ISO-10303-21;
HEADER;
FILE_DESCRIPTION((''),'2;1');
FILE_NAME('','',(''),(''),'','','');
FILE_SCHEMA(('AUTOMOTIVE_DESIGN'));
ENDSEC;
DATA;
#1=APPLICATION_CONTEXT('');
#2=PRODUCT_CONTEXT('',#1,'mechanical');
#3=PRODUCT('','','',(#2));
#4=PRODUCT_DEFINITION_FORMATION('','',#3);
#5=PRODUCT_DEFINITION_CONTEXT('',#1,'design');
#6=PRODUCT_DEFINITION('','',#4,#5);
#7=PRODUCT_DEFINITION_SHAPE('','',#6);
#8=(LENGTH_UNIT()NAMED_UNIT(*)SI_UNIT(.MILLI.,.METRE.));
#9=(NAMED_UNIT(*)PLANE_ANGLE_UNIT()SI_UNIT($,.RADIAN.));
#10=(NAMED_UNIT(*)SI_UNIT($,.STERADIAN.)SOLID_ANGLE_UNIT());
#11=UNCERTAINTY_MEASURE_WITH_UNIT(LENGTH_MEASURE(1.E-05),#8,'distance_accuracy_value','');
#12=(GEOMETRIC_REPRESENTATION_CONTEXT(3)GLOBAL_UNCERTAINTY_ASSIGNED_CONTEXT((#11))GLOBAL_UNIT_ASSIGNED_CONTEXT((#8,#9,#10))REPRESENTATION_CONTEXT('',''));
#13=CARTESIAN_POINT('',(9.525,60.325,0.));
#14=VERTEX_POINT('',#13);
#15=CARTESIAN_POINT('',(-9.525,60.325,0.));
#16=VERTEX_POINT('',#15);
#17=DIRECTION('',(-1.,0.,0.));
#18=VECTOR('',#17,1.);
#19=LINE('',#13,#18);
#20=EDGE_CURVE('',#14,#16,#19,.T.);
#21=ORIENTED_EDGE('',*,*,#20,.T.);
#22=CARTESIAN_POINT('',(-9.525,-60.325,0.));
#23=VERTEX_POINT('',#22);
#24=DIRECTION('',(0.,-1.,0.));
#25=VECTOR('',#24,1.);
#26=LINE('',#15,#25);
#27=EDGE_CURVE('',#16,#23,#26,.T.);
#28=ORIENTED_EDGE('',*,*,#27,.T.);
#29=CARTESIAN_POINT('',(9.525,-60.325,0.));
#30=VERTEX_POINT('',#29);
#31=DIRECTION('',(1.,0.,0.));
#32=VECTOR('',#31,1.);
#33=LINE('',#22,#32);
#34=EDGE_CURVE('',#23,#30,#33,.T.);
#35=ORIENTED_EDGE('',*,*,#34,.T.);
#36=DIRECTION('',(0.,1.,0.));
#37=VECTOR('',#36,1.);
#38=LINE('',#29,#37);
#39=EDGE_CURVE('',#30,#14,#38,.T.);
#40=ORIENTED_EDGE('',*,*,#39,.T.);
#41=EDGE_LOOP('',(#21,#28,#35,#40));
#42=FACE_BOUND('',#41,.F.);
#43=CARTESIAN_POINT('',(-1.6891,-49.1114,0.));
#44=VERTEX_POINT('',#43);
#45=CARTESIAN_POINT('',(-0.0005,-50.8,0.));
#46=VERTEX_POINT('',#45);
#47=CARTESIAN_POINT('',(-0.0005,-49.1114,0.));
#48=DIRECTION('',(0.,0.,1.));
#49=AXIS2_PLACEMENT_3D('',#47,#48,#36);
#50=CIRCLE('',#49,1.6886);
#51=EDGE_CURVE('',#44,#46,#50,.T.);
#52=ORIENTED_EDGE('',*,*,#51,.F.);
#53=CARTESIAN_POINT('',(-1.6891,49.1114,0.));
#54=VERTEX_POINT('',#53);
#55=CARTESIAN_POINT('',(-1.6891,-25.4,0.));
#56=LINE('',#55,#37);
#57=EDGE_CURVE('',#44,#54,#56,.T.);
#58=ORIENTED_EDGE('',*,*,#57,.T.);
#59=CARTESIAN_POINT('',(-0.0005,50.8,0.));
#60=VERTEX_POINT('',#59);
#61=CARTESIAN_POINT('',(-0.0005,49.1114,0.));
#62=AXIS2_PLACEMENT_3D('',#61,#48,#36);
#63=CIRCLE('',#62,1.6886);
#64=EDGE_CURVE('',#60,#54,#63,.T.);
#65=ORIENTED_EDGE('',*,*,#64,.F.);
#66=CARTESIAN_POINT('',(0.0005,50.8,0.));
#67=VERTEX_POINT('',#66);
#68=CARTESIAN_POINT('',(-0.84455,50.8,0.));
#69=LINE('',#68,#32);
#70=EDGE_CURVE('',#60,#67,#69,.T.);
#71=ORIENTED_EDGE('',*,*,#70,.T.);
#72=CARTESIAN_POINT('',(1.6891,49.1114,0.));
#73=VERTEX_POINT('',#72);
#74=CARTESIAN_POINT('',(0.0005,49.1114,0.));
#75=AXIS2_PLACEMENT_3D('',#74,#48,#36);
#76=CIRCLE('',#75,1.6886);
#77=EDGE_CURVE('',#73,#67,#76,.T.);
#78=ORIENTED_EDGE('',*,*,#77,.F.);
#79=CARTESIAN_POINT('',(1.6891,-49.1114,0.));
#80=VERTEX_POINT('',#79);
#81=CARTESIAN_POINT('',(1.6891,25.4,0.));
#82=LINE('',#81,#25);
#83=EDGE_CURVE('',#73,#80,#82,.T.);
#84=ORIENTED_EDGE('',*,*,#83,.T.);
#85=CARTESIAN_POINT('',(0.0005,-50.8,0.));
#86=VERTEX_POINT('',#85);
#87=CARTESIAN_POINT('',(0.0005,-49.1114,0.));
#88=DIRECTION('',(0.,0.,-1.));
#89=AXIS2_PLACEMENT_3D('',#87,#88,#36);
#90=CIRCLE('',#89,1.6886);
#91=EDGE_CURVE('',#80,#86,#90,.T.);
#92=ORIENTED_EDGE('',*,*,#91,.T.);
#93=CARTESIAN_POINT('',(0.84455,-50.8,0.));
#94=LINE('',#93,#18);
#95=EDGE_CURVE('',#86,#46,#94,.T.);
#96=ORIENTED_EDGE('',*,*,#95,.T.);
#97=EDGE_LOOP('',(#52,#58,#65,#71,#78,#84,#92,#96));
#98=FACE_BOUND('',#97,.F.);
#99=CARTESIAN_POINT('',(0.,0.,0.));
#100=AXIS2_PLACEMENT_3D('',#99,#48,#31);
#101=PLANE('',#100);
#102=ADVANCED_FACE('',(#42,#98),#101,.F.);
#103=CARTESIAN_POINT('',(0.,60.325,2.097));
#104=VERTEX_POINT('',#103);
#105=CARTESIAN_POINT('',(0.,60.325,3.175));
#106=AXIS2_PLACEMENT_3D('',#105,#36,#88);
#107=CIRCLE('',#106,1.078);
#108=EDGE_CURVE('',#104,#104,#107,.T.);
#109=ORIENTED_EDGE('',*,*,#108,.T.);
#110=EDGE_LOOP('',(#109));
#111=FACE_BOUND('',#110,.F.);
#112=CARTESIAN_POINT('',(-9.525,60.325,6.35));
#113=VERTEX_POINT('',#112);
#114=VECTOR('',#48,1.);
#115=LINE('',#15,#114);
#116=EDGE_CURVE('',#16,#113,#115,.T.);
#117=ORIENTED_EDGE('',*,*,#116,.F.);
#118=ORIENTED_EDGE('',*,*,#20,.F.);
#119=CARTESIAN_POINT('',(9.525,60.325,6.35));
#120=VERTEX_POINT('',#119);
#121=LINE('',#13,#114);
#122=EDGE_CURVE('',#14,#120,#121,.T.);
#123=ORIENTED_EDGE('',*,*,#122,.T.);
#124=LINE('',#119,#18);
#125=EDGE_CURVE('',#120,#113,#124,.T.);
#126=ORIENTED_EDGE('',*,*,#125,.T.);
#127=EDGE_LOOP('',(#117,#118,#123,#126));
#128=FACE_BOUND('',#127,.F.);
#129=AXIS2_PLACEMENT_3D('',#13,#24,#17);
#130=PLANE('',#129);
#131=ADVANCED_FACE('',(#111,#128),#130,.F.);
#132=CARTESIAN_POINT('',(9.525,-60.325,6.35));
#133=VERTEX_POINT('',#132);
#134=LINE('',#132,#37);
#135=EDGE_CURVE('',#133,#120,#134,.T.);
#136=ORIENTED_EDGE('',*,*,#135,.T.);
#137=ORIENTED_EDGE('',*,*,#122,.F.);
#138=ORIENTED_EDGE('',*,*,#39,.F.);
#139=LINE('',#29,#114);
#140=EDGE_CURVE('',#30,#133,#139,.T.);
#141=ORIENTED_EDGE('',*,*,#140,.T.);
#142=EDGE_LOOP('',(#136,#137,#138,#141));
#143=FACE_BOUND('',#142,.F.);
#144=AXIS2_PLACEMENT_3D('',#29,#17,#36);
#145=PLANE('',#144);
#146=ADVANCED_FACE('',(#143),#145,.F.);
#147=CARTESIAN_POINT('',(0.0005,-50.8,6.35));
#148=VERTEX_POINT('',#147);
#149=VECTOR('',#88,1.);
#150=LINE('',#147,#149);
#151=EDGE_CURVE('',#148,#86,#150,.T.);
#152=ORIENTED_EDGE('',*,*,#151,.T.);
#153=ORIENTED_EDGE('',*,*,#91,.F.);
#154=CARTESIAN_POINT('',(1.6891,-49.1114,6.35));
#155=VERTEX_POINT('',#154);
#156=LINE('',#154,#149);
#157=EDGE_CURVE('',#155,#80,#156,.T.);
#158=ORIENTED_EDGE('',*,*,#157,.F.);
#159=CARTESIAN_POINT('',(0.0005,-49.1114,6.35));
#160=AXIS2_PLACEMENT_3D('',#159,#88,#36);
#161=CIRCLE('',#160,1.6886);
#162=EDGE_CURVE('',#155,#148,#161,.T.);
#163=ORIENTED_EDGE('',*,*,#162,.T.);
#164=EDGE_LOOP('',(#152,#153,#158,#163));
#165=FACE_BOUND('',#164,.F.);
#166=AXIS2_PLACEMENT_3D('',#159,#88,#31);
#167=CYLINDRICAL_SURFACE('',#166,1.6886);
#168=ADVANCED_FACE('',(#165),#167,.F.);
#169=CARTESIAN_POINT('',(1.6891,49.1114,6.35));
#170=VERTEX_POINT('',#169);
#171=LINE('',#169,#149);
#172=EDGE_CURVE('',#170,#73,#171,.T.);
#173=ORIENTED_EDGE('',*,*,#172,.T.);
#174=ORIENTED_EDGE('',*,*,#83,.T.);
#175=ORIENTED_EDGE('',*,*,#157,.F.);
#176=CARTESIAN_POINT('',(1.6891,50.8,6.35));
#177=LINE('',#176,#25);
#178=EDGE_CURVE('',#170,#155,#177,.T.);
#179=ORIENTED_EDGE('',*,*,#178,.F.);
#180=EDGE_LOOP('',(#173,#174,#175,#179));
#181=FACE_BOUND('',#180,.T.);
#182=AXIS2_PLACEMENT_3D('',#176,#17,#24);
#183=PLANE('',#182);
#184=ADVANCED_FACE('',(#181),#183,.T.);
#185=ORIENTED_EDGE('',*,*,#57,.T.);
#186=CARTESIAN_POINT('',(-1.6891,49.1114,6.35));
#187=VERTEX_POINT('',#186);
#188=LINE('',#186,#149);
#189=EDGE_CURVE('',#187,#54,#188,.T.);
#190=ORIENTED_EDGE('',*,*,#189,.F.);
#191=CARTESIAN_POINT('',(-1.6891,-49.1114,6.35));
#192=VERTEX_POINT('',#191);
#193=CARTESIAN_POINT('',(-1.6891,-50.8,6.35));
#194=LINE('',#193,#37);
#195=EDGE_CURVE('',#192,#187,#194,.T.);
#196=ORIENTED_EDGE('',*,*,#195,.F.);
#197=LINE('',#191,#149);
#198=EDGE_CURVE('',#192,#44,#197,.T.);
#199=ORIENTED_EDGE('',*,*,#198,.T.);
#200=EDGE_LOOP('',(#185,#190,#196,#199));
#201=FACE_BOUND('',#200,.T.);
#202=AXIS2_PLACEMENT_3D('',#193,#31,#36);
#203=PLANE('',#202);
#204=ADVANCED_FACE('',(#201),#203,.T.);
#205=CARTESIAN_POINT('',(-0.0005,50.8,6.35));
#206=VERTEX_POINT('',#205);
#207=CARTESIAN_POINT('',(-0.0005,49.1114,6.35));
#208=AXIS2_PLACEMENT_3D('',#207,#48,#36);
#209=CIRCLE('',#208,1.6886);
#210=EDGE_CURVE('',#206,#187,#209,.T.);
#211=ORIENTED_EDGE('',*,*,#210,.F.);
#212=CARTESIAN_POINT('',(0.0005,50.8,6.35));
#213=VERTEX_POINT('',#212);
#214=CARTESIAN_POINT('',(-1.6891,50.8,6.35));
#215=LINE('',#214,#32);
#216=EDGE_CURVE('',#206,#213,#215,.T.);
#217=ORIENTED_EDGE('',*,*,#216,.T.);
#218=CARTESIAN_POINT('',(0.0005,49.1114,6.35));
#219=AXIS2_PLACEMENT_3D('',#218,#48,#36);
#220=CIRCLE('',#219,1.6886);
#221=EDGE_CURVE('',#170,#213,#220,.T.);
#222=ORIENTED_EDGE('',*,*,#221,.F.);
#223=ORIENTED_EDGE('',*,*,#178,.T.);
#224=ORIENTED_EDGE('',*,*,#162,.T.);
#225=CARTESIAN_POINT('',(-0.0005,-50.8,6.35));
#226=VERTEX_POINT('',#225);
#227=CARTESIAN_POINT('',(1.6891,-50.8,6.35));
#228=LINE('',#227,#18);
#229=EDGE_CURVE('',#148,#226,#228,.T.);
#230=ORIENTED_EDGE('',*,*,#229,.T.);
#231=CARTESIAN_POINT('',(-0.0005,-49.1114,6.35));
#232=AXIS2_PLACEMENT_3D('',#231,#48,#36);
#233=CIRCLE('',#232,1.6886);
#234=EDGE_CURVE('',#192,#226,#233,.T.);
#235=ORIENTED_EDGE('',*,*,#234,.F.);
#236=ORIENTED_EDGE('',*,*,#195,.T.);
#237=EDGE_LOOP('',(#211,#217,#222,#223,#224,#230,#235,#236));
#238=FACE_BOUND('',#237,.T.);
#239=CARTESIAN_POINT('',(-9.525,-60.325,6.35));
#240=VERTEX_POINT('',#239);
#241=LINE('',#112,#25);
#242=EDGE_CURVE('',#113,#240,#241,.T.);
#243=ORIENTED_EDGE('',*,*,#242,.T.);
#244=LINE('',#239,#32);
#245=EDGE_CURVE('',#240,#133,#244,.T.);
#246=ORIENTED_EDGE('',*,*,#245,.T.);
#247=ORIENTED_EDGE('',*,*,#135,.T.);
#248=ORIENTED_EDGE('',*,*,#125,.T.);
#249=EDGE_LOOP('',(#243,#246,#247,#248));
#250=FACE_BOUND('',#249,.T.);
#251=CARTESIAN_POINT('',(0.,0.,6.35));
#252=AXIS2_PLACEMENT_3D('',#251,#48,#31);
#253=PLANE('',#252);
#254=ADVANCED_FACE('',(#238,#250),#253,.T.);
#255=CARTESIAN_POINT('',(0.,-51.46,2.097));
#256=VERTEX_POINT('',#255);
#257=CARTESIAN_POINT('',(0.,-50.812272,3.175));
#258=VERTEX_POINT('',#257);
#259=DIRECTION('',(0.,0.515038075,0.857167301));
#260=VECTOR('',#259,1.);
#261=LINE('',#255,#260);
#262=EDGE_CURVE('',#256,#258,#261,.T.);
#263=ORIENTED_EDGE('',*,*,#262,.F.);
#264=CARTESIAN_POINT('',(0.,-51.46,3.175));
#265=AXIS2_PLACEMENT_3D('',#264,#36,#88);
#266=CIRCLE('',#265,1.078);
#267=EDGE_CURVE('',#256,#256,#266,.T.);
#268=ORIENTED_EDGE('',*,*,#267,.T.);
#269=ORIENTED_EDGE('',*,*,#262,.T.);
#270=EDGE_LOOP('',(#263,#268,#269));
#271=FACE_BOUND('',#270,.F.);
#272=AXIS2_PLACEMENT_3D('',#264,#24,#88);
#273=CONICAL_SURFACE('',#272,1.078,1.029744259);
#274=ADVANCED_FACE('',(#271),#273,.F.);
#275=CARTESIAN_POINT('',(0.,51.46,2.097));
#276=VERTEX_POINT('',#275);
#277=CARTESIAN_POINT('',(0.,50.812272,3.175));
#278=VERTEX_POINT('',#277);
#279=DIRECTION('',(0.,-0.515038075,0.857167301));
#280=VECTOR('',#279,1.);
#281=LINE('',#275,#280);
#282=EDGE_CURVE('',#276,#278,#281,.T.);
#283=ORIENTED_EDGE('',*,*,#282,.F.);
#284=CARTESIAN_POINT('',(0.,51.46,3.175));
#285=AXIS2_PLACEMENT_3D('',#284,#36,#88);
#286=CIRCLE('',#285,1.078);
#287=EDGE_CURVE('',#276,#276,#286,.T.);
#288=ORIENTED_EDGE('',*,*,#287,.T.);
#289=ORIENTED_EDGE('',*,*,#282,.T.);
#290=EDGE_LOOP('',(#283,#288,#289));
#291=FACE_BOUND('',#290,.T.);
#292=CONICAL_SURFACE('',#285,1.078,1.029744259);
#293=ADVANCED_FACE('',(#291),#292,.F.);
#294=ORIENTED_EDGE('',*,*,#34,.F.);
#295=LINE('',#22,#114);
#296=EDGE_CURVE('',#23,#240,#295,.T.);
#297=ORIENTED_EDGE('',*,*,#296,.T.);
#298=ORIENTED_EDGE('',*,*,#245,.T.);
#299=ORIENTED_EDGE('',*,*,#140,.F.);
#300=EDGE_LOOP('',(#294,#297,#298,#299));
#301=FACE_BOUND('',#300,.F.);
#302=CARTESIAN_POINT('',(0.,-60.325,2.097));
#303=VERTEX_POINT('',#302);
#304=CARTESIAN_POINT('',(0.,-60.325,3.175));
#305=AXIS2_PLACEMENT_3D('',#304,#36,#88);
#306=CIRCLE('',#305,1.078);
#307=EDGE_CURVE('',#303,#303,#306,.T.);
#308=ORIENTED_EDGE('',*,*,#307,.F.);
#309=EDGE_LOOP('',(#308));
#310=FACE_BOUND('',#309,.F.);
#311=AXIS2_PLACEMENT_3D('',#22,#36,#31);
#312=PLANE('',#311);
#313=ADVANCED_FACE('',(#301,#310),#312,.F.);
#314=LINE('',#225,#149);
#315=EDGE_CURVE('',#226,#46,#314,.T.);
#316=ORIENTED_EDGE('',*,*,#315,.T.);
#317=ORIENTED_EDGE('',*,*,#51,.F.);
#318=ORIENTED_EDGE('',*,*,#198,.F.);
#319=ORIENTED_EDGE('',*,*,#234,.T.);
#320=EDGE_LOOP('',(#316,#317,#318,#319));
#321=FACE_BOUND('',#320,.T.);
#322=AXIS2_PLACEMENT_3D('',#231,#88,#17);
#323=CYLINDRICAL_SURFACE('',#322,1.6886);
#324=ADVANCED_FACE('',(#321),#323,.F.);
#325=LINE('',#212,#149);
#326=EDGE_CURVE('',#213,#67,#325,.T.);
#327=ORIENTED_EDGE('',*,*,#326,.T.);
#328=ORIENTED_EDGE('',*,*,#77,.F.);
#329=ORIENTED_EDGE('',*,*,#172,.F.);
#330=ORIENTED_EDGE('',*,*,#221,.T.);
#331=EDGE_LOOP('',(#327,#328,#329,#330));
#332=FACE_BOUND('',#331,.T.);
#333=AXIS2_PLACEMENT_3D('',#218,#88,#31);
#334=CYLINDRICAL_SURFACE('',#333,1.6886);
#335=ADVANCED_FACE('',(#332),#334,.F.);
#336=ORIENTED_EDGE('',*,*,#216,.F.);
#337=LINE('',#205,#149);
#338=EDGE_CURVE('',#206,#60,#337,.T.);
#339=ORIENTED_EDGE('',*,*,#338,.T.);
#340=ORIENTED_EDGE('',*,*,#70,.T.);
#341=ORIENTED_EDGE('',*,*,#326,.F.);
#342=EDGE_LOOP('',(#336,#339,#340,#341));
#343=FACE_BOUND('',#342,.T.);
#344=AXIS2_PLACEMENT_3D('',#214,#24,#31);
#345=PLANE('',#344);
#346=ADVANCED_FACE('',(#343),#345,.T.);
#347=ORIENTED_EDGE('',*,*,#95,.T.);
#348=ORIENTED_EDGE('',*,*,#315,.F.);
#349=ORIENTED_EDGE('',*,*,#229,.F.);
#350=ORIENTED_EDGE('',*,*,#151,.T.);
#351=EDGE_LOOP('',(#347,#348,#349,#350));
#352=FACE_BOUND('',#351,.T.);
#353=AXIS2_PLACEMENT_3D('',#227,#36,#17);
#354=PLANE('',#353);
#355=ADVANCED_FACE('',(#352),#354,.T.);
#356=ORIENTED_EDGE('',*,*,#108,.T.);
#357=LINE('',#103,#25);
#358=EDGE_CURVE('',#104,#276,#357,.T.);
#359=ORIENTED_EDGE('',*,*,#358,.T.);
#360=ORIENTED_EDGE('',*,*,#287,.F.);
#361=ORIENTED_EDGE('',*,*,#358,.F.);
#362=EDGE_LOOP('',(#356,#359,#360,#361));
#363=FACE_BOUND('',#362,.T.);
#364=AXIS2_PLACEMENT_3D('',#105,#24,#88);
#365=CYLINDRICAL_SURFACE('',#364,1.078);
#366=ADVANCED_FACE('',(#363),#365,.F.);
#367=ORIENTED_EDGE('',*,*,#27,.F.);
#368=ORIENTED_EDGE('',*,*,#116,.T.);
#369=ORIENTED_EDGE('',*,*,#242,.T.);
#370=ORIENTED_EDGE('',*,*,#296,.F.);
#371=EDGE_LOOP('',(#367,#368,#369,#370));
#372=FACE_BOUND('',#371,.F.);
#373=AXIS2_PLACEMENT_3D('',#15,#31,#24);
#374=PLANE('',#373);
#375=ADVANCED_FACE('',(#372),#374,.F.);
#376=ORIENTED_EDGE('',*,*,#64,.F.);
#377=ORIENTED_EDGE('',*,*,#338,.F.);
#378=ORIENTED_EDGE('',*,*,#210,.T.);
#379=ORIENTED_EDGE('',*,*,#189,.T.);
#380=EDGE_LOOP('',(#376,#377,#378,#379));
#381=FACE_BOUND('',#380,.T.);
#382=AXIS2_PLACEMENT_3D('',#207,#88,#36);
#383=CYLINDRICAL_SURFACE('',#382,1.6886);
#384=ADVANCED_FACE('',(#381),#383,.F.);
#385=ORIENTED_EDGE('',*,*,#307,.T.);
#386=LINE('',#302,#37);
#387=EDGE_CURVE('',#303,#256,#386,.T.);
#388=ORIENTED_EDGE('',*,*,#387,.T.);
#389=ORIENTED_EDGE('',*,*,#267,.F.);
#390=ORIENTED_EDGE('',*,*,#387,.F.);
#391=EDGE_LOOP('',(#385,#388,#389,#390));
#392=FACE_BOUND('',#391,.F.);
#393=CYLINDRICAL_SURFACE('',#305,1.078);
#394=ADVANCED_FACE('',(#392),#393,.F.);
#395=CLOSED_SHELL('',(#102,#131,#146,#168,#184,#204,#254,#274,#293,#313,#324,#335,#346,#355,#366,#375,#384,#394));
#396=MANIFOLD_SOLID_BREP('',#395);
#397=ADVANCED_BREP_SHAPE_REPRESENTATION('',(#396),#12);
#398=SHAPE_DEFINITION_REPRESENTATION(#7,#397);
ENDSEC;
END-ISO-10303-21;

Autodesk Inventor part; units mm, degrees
ref_plane "YZ Plane" through (0, 0, 0) normal (1, 0, 0) x (0, 1, 0)
ref_plane "XZ Plane" through (0, 0, 0) normal (0, 1, 0) x (-1, 0, 0)
ref_plane "XY Plane" through (0, 0, 0) normal (0, 0, 1) x (1, 0, 0)
sketch "Sketch1" plane through (0, 0, 0) normal (0, 0, 1) x (1, 0, 0)
  line L0 (-9.525, -60.325) -> (9.525, -60.325)
  line L1 (9.525, -60.325) -> (9.525, 60.325)
  line L2 (9.525, 60.325) -> (-9.525, 60.325)
  line L3 (-9.525, 60.325) -> (-9.525, -60.325)
  line L4 (-9.525, -60.325) -> (9.525, 60.325) construction
  line L5 (9.525, -60.325) -> (-9.525, 60.325) construction
  point P0 (0, 0)
  dimension "d0" = 19.05
  dimension "d1" = 120.65
extrude "Extrusion1" add sketch "Sketch1" along normal blind 6.35
sketch "Sketch2" plane through (0, 0, 6.35) normal (0, 0, 1) x (1, 0, 0)
  line L0 (1.6891, -50.8) -> (-1.6891, -50.8)
  line L1 (-1.6891, -50.8) -> (-1.6891, 50.8)
  line L2 (-1.6891, 50.8) -> (1.6891, 50.8)
  line L3 (1.6891, 50.8) -> (1.6891, -50.8)
  line L4 (1.6891, -50.8) -> (-1.6891, 50.8) construction
  line L5 (-1.6891, -50.8) -> (1.6891, 50.8) construction
  point P0 (0, 0)
  dimension "d4" = 3.3782
  dimension "d5" = 101.6
extrude "Extrusion2" cut sketch "Sketch2" against normal through all
fillet "Fillet1" radius 1.6891 4 edges at (-1.6891, -50.8, 3.175) (1.6891, -50.8, 3.175) (-1.6891, 50.8, 3.175) (1.6891, 50.8, 3.175)
sketch "Sketch4" plane through (-9.525, -60.325, 0) normal (0, -1, 0) x (1, 0, 0)
  line L0 (0, 0) -> (19.05, 0) projected
  line L1 (19.05, 0) -> (19.05, 6.35) projected
  line L2 (0, 6.35) -> (19.05, 6.35) projected
  line L3 (0, 0) -> (0, 6.35) projected
  point P0 (9.525, 0)
  point P1 (9.525, 3.175)
  dimension "d16" = 3.175
  dimension "d17" = 9.525
hole "Hole2" at (0, -60.325, 3.175) direction (0, 1, 0) diameter 2.156 depth 8.865 tip angle 118 thread size "4-40 UNC" class "2B" standard "ANSI Unified Screw Threads"
mirror "Mirror1" about plane through (0, 0, 0) normal (0, 1, 0) of "Hole2"
equation "\"d0\" = sensorHolderDepth"
equation "\"d1\" = -internalAcrylicThickness + height"
equation "\"d2\" = acrylicThickness"
equation "\"d5\" = height - 4 * acrylicThickness"
equation "\"d6\" = acrylicThickness"
equation "\"d16\" = 0.5 * internalAcrylicThickness"
equation "\"d17\" = 0.5 * sensorHolderDepth"
equation "\"acrylicThickness\" = 6.35"
equation "\"height\" = 127"
equation "\"sensorHolderDepth\" = 19.05"
equation "\"frameAcrylicThickness\" = 9.525"
equation "\"internalAcrylicThicnkess\" = 6.35"
equation "\"width\" = 127"
equation "\"depth\" = 273.05"
equation "\"mirrorAngle\" = 5deg"
equation "\"detectorWidth\" = 52"
equation "\"detectorHeight\" = 52"
equation "\"mirrorThickness\" = 3.175"
equation "\"fresnelThickness\" = 0.1"
equation "\"focalLength\" = 76.2"
equation "\"ior\" = 1.49"
equation "\"centerThickness\" = 1.524"
equation "\"fresnelAngle\" = 90deg"
equation "\"fresnelEffectiveDiameter\" = 152.4"
equation "\"oRingWidth\" = 1.5875"
equation "\"internalAcrylicThickness\" = 6.35"
equation "\"aerogelClearence\" = 3.175"
equation "\"backplaneHoleOffsett\" = 6.35"
equation "\"backplanePCBHeight\" = 76.2"
equation "\"backplanePCBWidth\" = 76.2"
equation "\"backplanePostionOffsett\" = 12.7"
equation "\"moduleSlotClearence\" = 0.79375"
properties part number "verticalSupourt" material "ABS Plastic"
